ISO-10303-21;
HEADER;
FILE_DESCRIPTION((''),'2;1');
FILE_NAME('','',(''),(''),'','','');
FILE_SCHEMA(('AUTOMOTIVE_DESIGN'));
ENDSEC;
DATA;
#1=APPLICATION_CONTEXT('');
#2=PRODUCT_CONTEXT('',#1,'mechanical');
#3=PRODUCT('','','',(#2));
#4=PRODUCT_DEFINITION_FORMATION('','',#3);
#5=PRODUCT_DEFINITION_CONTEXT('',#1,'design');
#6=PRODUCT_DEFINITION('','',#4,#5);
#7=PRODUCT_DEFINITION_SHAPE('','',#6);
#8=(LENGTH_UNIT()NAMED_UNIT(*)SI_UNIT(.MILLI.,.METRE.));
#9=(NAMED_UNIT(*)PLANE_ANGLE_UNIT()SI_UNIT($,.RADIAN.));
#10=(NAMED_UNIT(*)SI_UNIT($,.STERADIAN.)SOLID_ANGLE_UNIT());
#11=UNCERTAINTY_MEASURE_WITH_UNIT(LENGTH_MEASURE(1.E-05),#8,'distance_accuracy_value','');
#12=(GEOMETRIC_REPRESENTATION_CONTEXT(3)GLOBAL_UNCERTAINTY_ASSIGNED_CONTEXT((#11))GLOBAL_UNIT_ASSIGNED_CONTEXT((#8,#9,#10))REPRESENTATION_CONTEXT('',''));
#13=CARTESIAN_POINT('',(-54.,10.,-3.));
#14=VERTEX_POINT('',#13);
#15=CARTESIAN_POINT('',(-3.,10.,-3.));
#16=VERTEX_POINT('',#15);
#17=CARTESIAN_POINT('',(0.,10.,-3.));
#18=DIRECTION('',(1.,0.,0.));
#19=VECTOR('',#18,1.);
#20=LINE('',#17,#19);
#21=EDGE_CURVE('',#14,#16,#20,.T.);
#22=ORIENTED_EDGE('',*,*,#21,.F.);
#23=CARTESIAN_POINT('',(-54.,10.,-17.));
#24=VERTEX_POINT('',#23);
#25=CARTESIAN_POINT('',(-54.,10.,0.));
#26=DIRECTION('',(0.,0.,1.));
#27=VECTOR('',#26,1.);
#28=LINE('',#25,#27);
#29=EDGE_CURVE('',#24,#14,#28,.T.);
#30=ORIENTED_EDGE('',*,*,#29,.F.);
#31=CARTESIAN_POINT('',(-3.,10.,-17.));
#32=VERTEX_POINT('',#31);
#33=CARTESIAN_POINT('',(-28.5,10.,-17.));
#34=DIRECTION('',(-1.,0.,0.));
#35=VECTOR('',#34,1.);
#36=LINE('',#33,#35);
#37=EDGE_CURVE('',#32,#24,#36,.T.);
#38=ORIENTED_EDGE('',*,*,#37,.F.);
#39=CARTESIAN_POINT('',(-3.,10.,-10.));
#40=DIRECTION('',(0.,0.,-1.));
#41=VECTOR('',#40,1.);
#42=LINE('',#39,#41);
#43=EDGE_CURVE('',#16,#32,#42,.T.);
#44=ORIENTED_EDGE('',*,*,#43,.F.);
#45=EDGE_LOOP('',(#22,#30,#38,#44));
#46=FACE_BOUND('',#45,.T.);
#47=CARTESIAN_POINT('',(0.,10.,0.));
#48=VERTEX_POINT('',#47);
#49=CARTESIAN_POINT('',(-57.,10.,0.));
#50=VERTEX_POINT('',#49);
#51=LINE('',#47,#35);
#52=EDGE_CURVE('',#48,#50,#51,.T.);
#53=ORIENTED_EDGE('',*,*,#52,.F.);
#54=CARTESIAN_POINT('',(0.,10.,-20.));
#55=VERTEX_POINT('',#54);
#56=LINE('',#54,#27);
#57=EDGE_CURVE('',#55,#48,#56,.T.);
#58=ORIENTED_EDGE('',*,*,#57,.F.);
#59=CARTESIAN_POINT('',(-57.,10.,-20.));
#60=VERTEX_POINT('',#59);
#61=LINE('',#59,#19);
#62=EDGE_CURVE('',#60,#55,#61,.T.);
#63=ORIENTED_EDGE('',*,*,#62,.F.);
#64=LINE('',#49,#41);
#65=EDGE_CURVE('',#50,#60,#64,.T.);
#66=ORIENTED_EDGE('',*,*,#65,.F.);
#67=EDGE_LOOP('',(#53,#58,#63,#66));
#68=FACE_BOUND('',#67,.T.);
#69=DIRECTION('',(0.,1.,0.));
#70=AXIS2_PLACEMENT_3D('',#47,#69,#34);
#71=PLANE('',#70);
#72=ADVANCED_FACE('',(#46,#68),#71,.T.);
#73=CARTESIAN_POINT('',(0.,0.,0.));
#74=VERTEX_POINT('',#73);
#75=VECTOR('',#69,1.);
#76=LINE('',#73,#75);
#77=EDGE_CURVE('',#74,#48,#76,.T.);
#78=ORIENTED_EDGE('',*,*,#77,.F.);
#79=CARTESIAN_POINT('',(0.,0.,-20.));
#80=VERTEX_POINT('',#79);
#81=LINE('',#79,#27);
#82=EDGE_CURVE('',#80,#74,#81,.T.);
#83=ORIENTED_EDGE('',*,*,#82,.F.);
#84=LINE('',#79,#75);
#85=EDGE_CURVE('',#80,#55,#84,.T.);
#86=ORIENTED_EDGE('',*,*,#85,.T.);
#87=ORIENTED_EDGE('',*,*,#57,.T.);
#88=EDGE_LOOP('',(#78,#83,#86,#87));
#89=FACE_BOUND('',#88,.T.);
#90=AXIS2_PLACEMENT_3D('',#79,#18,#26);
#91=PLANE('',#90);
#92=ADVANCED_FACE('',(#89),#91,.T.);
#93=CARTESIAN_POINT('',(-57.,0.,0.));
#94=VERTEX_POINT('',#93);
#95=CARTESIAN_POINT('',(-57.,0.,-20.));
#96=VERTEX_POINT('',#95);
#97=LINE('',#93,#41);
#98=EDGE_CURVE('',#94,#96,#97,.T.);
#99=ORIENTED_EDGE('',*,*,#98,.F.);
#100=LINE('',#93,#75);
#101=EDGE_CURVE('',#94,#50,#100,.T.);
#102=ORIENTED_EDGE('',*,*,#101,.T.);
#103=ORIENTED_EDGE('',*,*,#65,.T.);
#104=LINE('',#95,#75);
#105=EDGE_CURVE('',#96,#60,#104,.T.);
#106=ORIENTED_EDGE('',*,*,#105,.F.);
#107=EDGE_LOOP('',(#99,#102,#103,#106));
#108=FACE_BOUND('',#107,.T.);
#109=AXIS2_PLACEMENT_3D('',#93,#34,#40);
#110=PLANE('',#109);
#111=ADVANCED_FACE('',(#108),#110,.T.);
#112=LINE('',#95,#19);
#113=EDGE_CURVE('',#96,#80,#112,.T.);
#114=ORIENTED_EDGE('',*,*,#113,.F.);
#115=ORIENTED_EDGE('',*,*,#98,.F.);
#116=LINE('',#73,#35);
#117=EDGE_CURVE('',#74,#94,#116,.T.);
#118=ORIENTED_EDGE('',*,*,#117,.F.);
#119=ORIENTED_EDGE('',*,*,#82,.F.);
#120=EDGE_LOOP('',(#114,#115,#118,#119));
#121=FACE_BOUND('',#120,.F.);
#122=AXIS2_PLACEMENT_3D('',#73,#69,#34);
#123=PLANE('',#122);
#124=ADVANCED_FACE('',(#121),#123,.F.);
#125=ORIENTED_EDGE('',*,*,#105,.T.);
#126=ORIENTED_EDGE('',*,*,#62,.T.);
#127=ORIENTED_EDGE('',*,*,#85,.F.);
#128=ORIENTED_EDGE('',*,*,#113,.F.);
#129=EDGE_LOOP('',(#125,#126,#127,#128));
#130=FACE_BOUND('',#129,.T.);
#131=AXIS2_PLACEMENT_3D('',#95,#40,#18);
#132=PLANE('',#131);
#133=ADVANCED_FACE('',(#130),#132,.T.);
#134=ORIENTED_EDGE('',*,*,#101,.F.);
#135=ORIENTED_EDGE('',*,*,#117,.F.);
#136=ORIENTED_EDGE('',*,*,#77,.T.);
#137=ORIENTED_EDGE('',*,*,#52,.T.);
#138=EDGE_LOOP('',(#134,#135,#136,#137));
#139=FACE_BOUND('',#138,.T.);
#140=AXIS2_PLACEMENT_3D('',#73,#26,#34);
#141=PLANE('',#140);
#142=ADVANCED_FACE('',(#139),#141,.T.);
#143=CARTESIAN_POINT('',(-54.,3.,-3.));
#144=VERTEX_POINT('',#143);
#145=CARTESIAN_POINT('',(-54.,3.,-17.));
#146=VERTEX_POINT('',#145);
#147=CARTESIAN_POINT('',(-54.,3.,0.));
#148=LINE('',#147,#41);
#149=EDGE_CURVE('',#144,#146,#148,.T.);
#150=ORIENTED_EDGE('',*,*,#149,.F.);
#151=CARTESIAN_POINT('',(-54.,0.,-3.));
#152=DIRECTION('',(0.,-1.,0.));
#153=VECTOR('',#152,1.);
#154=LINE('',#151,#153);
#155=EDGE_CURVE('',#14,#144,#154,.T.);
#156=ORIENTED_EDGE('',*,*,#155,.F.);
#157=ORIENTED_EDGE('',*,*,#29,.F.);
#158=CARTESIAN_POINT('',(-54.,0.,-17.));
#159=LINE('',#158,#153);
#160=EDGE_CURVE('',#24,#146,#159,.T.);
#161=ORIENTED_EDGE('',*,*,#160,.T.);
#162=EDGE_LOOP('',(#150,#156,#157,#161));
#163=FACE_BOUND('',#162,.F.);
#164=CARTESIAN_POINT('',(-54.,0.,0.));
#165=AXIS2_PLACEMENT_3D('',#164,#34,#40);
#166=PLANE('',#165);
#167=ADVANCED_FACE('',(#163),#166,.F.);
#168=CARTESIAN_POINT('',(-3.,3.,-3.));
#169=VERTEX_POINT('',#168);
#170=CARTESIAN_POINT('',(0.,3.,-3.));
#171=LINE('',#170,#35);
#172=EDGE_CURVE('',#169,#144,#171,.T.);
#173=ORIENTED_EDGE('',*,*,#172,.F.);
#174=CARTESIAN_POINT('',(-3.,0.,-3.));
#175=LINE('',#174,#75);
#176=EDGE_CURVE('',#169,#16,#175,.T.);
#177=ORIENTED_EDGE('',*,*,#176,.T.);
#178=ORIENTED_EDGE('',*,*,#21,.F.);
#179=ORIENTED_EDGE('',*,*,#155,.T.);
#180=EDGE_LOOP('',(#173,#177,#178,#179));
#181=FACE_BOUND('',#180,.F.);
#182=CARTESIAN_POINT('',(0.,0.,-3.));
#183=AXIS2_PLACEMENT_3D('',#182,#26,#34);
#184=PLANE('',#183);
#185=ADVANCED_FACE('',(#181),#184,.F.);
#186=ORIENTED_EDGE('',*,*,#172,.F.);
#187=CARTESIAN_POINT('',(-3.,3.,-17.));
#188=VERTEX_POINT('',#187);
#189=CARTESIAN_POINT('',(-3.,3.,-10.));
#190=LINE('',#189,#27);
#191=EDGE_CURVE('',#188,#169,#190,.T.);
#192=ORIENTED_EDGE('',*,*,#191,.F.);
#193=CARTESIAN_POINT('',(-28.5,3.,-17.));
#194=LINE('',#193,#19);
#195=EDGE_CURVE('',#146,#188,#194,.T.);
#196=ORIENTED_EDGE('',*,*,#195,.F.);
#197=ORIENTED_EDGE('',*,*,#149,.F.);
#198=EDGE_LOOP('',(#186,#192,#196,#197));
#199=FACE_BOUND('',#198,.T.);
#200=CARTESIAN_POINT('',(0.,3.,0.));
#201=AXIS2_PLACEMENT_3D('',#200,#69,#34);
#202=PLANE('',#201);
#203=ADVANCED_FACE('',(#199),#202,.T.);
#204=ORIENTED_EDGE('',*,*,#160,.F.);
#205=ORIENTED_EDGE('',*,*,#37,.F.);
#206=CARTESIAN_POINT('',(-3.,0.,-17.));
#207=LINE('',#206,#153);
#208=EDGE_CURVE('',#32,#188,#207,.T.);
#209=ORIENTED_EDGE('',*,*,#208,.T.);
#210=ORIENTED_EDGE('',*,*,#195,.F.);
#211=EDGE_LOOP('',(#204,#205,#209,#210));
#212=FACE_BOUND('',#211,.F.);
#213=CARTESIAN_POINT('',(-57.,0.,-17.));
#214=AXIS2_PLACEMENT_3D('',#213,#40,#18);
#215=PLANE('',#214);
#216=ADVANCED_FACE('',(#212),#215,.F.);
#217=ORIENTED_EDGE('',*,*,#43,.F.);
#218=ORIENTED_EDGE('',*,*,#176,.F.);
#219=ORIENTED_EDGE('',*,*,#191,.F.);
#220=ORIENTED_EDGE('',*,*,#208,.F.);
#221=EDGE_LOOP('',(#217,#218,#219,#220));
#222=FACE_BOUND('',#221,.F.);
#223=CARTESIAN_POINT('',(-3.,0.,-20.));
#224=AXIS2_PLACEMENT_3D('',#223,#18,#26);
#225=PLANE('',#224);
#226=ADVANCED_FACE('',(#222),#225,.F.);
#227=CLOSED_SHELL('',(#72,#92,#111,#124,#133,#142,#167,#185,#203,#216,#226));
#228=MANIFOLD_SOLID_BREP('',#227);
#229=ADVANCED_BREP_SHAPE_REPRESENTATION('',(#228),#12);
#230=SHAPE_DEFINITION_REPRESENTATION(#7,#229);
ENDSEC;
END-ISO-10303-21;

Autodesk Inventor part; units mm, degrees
ref_plane "YZ Plane" through (0, 0, 0) normal (1, 0, 0) x (0, 1, 0)
ref_plane "XZ Plane" through (0, 0, 0) normal (0, 1, 0) x (-1, 0, 0)
ref_plane "XY Plane" through (0, 0, 0) normal (0, 0, 1) x (1, 0, 0)
sketch "スケッチ1" plane through (0, 0, 0) normal (0, 1, 0) x (-1, 0, 0)
  line L0 (0, 0) -> (57, 0)
  line L1 (57, 0) -> (57, -20)
  line L2 (57, -20) -> (0, -20)
  line L3 (0, -20) -> (0, 0)
  dimension "d0" = 20
  dimension "d1" = 57
extrude "押し出し1" add sketch "スケッチ1" along normal blind 10
shell "シェル2" thickness 3 removed faces 1 at (-19, 10, -6.6667)
properties part number "suply_hub"
